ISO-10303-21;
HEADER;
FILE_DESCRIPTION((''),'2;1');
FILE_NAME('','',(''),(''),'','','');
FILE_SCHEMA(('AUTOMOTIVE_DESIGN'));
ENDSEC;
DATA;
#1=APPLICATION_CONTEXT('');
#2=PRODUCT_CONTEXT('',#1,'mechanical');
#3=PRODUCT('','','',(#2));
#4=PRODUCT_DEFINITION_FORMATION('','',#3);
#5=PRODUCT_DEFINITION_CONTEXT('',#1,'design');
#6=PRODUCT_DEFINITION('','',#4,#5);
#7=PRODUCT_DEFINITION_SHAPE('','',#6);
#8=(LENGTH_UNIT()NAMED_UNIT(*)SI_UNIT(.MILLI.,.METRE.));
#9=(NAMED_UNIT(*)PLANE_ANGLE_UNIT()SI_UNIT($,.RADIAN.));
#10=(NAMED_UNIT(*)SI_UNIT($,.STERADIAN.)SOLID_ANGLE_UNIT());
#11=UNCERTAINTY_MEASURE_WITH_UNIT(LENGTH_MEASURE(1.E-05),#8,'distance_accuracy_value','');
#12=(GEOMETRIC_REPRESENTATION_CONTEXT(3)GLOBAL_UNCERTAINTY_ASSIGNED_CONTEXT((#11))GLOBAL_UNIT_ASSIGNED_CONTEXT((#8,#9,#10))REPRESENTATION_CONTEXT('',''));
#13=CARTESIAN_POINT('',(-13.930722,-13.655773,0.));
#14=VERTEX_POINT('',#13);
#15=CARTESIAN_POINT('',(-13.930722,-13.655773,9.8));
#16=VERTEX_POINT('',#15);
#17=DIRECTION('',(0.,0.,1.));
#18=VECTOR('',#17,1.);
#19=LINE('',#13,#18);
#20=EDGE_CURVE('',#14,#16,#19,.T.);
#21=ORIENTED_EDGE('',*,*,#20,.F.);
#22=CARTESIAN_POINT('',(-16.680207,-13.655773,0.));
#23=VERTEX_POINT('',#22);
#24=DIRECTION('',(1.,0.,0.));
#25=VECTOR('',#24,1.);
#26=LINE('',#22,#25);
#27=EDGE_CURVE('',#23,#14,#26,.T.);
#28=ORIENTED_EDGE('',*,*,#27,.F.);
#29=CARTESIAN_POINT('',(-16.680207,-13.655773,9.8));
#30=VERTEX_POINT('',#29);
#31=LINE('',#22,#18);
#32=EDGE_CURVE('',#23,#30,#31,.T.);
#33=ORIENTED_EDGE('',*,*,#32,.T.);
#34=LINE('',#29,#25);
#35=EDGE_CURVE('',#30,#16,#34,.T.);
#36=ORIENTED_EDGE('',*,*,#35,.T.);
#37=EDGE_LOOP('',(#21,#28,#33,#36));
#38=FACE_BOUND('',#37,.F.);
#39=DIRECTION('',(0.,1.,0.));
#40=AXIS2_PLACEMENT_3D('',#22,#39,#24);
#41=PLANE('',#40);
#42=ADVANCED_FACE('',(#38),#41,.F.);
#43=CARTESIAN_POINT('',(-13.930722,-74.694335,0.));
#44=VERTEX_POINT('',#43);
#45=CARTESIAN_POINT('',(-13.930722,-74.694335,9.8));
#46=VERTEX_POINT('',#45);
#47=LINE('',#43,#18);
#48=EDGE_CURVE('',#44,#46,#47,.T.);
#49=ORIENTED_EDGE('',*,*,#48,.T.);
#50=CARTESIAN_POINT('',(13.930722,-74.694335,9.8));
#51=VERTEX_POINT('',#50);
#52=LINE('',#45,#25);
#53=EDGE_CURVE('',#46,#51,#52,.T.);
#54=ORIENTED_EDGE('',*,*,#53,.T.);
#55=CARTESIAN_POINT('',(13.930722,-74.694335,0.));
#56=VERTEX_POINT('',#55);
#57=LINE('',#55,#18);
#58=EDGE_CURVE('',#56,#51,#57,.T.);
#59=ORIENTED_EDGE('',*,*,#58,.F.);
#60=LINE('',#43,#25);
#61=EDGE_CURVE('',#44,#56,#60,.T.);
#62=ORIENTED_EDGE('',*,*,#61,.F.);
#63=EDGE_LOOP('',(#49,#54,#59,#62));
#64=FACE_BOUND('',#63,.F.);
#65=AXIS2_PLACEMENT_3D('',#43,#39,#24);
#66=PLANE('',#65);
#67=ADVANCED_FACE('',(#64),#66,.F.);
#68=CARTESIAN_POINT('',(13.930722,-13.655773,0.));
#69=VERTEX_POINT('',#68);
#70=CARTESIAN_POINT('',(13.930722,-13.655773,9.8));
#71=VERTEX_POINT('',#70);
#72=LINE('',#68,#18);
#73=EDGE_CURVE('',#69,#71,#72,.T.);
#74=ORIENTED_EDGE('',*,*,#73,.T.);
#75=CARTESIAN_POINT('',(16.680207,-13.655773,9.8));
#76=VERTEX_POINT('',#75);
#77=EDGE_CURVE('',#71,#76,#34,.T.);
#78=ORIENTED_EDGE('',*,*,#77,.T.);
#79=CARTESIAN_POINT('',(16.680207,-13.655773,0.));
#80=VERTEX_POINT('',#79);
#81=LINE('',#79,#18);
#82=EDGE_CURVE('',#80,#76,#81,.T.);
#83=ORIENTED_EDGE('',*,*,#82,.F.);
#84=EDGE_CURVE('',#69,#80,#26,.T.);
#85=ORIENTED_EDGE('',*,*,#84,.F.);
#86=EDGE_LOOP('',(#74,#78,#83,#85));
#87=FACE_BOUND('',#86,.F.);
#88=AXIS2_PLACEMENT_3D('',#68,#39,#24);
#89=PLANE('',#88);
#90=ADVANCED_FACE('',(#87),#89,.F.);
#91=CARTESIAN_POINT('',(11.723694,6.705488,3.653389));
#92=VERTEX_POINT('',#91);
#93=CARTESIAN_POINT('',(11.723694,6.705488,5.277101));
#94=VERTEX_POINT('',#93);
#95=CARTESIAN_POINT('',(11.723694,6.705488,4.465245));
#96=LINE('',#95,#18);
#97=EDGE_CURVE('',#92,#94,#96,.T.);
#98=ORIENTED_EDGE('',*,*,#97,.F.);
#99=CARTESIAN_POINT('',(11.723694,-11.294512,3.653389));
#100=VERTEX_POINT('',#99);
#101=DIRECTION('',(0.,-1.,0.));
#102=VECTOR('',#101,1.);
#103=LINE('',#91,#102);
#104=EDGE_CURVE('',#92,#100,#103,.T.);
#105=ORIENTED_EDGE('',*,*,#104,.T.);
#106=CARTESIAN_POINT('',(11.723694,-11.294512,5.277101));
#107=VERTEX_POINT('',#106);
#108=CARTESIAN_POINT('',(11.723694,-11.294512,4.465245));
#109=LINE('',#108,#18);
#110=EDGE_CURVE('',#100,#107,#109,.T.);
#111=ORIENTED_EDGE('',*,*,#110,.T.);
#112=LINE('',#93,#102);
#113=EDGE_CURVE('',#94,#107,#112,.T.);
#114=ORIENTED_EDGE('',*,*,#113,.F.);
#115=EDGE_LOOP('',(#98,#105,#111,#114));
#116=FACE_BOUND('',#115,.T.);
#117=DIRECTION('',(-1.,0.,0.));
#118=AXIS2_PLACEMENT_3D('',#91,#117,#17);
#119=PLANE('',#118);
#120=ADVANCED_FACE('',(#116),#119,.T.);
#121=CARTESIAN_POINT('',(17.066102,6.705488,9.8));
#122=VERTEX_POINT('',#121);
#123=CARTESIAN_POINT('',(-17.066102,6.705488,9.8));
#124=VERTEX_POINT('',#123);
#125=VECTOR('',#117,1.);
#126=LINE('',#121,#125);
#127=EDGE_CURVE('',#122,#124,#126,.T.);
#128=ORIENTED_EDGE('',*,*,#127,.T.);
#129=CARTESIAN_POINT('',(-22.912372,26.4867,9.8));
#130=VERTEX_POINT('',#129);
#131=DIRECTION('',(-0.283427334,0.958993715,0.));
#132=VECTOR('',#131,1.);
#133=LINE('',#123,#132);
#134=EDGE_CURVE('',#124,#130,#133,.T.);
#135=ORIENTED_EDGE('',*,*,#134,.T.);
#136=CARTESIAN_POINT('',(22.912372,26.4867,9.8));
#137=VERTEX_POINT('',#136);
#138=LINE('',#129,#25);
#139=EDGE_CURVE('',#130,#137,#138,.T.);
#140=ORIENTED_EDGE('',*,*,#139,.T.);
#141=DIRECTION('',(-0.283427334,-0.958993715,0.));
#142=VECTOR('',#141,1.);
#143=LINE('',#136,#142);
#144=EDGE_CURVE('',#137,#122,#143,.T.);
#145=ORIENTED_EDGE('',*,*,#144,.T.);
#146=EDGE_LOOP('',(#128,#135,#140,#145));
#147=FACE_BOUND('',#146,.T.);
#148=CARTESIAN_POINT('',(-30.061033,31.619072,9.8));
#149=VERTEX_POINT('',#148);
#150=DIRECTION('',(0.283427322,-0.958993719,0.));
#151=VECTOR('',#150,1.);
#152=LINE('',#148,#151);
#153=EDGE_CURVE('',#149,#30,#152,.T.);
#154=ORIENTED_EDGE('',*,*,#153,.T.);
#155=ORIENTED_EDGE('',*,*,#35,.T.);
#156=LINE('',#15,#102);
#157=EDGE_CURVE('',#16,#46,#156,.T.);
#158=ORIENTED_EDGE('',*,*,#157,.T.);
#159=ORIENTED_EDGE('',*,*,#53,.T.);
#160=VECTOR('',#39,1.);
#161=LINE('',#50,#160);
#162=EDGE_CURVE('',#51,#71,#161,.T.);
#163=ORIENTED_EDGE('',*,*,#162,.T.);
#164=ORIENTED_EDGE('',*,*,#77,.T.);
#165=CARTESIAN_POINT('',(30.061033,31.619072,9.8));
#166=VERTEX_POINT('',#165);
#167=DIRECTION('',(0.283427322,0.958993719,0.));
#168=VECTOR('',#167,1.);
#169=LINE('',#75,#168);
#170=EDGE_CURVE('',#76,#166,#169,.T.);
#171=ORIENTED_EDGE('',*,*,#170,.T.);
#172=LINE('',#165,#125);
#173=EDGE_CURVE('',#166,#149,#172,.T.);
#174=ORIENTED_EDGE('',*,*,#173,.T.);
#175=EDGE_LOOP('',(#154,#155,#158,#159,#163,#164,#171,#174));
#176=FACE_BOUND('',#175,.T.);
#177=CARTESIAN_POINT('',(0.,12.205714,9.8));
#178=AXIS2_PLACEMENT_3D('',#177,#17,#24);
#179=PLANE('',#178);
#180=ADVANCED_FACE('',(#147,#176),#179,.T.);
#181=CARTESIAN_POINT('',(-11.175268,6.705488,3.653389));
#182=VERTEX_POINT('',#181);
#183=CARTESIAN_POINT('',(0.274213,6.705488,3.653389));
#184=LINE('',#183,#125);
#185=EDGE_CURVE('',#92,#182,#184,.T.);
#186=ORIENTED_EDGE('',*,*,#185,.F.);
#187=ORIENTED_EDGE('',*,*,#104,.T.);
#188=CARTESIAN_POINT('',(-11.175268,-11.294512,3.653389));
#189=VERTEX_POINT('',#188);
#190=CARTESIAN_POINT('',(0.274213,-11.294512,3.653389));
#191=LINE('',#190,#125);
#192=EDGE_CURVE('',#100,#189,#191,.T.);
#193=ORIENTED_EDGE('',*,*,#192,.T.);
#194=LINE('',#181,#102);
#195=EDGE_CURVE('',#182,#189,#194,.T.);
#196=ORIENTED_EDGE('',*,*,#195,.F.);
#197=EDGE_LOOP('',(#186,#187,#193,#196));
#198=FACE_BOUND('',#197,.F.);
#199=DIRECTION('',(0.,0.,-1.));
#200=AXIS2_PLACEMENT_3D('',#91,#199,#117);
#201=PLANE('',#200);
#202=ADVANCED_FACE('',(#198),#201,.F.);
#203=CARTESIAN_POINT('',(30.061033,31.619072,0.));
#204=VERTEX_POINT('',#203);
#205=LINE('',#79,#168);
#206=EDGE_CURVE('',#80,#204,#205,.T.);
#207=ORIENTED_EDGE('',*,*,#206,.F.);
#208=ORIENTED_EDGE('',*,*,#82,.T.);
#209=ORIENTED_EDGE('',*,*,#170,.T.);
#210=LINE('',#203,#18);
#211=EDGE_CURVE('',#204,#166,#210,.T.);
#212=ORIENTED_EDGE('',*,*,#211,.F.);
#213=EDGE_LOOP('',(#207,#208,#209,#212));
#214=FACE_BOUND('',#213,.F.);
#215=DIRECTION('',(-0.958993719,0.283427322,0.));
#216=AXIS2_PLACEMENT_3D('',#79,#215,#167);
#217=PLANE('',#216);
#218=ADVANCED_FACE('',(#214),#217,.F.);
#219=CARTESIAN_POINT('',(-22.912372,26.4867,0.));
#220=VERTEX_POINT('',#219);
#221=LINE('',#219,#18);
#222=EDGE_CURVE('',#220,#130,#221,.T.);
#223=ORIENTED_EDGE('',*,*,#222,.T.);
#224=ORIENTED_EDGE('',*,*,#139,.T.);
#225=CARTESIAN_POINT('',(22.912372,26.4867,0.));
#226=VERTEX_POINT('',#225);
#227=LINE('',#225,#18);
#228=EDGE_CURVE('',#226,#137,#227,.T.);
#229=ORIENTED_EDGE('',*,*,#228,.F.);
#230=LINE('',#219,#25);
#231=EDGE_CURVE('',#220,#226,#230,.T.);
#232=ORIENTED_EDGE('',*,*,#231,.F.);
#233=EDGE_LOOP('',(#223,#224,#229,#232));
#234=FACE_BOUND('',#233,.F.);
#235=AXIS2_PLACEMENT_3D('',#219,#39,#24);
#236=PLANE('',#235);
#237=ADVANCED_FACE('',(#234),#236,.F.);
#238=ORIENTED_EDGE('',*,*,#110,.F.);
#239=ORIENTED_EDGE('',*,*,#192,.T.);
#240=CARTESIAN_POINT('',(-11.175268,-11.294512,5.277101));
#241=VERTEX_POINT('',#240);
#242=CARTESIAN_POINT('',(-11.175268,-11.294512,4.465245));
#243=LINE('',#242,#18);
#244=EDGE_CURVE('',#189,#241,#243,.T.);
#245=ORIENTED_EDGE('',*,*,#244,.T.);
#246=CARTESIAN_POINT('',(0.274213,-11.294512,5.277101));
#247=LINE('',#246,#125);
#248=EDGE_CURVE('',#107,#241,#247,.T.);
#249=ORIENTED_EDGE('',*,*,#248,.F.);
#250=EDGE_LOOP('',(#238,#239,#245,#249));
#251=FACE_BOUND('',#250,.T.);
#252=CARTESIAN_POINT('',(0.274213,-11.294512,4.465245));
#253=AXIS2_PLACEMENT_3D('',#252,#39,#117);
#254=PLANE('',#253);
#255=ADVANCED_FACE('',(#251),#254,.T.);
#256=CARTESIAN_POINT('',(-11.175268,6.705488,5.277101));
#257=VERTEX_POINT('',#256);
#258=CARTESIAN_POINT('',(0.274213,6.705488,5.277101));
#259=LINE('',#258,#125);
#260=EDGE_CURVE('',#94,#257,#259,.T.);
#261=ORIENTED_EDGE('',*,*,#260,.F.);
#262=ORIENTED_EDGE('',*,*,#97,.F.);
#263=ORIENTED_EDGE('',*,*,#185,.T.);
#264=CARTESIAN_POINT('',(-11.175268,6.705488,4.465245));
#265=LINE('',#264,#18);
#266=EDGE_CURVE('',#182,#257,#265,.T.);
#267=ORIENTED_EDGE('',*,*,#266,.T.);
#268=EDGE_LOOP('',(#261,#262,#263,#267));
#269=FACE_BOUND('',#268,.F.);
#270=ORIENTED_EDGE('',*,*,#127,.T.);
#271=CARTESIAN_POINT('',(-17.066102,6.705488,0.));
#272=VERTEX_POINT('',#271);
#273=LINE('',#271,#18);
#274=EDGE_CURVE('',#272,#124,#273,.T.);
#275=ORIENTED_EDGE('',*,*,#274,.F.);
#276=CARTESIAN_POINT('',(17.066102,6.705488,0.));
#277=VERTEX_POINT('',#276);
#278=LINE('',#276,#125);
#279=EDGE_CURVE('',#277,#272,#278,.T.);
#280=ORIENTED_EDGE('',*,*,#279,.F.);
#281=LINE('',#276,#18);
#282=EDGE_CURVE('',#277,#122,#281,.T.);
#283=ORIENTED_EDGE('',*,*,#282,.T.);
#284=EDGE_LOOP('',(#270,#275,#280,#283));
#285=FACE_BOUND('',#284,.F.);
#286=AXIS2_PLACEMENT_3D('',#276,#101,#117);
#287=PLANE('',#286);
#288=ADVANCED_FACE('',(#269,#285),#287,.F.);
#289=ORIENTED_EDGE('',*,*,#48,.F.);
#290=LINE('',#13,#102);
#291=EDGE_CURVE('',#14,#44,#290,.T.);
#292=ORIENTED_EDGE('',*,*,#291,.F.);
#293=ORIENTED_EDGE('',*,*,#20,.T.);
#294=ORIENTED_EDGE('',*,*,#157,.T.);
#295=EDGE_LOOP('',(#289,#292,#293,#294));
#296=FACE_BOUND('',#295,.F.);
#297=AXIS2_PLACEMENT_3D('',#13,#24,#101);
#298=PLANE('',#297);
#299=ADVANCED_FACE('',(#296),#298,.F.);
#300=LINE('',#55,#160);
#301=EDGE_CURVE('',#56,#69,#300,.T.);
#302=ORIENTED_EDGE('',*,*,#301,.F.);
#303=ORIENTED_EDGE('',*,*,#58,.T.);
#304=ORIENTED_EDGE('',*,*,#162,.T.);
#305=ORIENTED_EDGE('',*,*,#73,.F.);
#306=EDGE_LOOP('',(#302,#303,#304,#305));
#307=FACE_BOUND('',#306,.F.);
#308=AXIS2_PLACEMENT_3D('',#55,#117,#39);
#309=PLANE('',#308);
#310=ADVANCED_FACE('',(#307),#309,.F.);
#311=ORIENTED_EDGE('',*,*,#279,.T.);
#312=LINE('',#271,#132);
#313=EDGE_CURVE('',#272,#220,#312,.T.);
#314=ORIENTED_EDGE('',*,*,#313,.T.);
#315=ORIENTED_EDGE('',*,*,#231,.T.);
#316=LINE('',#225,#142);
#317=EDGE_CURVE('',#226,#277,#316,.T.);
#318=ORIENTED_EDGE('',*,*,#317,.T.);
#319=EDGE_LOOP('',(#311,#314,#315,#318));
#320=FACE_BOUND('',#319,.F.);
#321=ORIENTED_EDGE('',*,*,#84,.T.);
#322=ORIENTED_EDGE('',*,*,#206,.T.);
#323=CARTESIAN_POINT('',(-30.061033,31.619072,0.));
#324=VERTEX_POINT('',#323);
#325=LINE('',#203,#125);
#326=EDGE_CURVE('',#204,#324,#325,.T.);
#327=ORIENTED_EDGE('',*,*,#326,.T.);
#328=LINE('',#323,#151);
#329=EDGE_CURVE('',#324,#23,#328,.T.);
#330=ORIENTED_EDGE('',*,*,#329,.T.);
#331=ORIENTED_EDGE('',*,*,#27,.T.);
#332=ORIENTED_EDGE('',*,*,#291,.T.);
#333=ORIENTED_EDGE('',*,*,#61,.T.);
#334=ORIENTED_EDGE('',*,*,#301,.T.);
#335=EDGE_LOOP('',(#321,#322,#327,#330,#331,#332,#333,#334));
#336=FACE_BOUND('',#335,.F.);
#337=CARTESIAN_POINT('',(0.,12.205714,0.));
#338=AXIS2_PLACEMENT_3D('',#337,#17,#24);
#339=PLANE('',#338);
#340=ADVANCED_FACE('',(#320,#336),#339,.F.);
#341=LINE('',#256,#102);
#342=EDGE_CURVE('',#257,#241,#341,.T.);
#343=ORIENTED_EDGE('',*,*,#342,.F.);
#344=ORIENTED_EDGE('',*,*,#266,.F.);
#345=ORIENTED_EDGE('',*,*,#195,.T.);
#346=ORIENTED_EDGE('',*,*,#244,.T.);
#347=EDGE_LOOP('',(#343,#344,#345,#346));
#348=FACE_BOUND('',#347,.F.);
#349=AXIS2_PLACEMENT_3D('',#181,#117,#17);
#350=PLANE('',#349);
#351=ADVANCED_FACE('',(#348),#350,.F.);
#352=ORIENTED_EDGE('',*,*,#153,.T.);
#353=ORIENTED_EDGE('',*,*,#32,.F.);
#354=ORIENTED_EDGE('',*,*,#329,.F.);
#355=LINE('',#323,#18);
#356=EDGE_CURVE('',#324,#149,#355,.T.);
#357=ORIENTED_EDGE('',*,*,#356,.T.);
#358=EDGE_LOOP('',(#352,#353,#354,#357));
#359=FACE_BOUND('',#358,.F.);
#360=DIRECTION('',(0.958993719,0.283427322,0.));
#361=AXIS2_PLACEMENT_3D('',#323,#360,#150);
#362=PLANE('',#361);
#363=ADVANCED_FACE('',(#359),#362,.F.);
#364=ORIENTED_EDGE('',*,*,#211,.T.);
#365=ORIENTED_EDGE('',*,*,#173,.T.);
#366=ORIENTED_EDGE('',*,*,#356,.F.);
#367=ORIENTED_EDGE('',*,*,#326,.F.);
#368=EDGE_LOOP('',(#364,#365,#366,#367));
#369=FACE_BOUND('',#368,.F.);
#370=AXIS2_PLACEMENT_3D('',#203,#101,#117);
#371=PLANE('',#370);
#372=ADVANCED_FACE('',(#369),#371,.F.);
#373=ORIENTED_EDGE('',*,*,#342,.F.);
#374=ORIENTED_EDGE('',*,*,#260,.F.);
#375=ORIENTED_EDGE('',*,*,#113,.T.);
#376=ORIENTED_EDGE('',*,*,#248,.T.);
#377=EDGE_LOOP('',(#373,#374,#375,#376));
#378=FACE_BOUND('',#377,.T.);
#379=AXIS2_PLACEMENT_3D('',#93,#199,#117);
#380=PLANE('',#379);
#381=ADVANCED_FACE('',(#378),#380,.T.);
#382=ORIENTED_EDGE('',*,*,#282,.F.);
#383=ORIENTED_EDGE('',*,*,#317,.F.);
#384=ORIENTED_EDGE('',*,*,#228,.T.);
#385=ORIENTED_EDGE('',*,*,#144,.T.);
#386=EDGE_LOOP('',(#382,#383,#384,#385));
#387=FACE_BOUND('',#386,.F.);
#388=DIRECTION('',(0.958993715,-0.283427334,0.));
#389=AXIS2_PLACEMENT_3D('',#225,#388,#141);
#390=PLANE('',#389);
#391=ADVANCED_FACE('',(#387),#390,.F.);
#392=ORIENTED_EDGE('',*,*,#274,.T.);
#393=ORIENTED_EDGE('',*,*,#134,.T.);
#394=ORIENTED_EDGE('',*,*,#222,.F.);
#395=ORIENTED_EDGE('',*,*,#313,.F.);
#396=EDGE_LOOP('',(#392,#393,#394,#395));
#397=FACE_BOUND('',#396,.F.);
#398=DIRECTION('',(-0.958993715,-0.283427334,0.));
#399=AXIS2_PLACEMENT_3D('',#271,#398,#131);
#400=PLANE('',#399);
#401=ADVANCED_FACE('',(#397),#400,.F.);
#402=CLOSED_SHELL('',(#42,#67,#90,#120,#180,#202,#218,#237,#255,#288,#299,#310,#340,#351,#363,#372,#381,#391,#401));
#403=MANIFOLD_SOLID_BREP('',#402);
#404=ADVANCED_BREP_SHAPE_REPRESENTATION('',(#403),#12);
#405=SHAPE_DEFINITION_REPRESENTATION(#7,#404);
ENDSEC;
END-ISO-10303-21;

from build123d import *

# Parameters (mm, degrees)
F1_DEPTH = 9.8
F2_W     = 22.898962
F2_H     = 1.623713
F3_DEPTH = 18


with BuildPart() as f1:
    # F0 (on Top) → F1 (new body)
    with BuildSketch(Plane.XY):
        Polygon((30.061033, 31.619072), (-30.061033, 31.619072), (-16.680207, -13.655773), (-13.930722, -13.655773), (0, -13.655773), (13.930722, -13.655773), (16.680207, -13.655773), align=None)
        Polygon((-17.066102, 6.705488), (-22.912372, 26.4867), (22.912372, 26.4867), (17.066102, 6.705488), (0, 6.705488), align=None, mode=Mode.SUBTRACT)
        Polygon((0, -13.655773), (-13.930722, -13.655773), (-13.930722, -74.694335), (0, -74.694335), (13.930722, -74.694335), (13.930722, -13.655773), align=None)
    extrude(amount=F1_DEPTH)

    # F2 (on face) → F3 (cut)
    with BuildSketch(Plane(origin=(0, 6.705488, 0), x_dir=(-1, 0, 0), z_dir=(0, 1, 0))):
        with Locations((-0.274213, 4.465245)):
            Rectangle(F2_W, F2_H)
    extrude(amount=-F3_DEPTH, mode=Mode.SUBTRACT)


solid = f1.part
